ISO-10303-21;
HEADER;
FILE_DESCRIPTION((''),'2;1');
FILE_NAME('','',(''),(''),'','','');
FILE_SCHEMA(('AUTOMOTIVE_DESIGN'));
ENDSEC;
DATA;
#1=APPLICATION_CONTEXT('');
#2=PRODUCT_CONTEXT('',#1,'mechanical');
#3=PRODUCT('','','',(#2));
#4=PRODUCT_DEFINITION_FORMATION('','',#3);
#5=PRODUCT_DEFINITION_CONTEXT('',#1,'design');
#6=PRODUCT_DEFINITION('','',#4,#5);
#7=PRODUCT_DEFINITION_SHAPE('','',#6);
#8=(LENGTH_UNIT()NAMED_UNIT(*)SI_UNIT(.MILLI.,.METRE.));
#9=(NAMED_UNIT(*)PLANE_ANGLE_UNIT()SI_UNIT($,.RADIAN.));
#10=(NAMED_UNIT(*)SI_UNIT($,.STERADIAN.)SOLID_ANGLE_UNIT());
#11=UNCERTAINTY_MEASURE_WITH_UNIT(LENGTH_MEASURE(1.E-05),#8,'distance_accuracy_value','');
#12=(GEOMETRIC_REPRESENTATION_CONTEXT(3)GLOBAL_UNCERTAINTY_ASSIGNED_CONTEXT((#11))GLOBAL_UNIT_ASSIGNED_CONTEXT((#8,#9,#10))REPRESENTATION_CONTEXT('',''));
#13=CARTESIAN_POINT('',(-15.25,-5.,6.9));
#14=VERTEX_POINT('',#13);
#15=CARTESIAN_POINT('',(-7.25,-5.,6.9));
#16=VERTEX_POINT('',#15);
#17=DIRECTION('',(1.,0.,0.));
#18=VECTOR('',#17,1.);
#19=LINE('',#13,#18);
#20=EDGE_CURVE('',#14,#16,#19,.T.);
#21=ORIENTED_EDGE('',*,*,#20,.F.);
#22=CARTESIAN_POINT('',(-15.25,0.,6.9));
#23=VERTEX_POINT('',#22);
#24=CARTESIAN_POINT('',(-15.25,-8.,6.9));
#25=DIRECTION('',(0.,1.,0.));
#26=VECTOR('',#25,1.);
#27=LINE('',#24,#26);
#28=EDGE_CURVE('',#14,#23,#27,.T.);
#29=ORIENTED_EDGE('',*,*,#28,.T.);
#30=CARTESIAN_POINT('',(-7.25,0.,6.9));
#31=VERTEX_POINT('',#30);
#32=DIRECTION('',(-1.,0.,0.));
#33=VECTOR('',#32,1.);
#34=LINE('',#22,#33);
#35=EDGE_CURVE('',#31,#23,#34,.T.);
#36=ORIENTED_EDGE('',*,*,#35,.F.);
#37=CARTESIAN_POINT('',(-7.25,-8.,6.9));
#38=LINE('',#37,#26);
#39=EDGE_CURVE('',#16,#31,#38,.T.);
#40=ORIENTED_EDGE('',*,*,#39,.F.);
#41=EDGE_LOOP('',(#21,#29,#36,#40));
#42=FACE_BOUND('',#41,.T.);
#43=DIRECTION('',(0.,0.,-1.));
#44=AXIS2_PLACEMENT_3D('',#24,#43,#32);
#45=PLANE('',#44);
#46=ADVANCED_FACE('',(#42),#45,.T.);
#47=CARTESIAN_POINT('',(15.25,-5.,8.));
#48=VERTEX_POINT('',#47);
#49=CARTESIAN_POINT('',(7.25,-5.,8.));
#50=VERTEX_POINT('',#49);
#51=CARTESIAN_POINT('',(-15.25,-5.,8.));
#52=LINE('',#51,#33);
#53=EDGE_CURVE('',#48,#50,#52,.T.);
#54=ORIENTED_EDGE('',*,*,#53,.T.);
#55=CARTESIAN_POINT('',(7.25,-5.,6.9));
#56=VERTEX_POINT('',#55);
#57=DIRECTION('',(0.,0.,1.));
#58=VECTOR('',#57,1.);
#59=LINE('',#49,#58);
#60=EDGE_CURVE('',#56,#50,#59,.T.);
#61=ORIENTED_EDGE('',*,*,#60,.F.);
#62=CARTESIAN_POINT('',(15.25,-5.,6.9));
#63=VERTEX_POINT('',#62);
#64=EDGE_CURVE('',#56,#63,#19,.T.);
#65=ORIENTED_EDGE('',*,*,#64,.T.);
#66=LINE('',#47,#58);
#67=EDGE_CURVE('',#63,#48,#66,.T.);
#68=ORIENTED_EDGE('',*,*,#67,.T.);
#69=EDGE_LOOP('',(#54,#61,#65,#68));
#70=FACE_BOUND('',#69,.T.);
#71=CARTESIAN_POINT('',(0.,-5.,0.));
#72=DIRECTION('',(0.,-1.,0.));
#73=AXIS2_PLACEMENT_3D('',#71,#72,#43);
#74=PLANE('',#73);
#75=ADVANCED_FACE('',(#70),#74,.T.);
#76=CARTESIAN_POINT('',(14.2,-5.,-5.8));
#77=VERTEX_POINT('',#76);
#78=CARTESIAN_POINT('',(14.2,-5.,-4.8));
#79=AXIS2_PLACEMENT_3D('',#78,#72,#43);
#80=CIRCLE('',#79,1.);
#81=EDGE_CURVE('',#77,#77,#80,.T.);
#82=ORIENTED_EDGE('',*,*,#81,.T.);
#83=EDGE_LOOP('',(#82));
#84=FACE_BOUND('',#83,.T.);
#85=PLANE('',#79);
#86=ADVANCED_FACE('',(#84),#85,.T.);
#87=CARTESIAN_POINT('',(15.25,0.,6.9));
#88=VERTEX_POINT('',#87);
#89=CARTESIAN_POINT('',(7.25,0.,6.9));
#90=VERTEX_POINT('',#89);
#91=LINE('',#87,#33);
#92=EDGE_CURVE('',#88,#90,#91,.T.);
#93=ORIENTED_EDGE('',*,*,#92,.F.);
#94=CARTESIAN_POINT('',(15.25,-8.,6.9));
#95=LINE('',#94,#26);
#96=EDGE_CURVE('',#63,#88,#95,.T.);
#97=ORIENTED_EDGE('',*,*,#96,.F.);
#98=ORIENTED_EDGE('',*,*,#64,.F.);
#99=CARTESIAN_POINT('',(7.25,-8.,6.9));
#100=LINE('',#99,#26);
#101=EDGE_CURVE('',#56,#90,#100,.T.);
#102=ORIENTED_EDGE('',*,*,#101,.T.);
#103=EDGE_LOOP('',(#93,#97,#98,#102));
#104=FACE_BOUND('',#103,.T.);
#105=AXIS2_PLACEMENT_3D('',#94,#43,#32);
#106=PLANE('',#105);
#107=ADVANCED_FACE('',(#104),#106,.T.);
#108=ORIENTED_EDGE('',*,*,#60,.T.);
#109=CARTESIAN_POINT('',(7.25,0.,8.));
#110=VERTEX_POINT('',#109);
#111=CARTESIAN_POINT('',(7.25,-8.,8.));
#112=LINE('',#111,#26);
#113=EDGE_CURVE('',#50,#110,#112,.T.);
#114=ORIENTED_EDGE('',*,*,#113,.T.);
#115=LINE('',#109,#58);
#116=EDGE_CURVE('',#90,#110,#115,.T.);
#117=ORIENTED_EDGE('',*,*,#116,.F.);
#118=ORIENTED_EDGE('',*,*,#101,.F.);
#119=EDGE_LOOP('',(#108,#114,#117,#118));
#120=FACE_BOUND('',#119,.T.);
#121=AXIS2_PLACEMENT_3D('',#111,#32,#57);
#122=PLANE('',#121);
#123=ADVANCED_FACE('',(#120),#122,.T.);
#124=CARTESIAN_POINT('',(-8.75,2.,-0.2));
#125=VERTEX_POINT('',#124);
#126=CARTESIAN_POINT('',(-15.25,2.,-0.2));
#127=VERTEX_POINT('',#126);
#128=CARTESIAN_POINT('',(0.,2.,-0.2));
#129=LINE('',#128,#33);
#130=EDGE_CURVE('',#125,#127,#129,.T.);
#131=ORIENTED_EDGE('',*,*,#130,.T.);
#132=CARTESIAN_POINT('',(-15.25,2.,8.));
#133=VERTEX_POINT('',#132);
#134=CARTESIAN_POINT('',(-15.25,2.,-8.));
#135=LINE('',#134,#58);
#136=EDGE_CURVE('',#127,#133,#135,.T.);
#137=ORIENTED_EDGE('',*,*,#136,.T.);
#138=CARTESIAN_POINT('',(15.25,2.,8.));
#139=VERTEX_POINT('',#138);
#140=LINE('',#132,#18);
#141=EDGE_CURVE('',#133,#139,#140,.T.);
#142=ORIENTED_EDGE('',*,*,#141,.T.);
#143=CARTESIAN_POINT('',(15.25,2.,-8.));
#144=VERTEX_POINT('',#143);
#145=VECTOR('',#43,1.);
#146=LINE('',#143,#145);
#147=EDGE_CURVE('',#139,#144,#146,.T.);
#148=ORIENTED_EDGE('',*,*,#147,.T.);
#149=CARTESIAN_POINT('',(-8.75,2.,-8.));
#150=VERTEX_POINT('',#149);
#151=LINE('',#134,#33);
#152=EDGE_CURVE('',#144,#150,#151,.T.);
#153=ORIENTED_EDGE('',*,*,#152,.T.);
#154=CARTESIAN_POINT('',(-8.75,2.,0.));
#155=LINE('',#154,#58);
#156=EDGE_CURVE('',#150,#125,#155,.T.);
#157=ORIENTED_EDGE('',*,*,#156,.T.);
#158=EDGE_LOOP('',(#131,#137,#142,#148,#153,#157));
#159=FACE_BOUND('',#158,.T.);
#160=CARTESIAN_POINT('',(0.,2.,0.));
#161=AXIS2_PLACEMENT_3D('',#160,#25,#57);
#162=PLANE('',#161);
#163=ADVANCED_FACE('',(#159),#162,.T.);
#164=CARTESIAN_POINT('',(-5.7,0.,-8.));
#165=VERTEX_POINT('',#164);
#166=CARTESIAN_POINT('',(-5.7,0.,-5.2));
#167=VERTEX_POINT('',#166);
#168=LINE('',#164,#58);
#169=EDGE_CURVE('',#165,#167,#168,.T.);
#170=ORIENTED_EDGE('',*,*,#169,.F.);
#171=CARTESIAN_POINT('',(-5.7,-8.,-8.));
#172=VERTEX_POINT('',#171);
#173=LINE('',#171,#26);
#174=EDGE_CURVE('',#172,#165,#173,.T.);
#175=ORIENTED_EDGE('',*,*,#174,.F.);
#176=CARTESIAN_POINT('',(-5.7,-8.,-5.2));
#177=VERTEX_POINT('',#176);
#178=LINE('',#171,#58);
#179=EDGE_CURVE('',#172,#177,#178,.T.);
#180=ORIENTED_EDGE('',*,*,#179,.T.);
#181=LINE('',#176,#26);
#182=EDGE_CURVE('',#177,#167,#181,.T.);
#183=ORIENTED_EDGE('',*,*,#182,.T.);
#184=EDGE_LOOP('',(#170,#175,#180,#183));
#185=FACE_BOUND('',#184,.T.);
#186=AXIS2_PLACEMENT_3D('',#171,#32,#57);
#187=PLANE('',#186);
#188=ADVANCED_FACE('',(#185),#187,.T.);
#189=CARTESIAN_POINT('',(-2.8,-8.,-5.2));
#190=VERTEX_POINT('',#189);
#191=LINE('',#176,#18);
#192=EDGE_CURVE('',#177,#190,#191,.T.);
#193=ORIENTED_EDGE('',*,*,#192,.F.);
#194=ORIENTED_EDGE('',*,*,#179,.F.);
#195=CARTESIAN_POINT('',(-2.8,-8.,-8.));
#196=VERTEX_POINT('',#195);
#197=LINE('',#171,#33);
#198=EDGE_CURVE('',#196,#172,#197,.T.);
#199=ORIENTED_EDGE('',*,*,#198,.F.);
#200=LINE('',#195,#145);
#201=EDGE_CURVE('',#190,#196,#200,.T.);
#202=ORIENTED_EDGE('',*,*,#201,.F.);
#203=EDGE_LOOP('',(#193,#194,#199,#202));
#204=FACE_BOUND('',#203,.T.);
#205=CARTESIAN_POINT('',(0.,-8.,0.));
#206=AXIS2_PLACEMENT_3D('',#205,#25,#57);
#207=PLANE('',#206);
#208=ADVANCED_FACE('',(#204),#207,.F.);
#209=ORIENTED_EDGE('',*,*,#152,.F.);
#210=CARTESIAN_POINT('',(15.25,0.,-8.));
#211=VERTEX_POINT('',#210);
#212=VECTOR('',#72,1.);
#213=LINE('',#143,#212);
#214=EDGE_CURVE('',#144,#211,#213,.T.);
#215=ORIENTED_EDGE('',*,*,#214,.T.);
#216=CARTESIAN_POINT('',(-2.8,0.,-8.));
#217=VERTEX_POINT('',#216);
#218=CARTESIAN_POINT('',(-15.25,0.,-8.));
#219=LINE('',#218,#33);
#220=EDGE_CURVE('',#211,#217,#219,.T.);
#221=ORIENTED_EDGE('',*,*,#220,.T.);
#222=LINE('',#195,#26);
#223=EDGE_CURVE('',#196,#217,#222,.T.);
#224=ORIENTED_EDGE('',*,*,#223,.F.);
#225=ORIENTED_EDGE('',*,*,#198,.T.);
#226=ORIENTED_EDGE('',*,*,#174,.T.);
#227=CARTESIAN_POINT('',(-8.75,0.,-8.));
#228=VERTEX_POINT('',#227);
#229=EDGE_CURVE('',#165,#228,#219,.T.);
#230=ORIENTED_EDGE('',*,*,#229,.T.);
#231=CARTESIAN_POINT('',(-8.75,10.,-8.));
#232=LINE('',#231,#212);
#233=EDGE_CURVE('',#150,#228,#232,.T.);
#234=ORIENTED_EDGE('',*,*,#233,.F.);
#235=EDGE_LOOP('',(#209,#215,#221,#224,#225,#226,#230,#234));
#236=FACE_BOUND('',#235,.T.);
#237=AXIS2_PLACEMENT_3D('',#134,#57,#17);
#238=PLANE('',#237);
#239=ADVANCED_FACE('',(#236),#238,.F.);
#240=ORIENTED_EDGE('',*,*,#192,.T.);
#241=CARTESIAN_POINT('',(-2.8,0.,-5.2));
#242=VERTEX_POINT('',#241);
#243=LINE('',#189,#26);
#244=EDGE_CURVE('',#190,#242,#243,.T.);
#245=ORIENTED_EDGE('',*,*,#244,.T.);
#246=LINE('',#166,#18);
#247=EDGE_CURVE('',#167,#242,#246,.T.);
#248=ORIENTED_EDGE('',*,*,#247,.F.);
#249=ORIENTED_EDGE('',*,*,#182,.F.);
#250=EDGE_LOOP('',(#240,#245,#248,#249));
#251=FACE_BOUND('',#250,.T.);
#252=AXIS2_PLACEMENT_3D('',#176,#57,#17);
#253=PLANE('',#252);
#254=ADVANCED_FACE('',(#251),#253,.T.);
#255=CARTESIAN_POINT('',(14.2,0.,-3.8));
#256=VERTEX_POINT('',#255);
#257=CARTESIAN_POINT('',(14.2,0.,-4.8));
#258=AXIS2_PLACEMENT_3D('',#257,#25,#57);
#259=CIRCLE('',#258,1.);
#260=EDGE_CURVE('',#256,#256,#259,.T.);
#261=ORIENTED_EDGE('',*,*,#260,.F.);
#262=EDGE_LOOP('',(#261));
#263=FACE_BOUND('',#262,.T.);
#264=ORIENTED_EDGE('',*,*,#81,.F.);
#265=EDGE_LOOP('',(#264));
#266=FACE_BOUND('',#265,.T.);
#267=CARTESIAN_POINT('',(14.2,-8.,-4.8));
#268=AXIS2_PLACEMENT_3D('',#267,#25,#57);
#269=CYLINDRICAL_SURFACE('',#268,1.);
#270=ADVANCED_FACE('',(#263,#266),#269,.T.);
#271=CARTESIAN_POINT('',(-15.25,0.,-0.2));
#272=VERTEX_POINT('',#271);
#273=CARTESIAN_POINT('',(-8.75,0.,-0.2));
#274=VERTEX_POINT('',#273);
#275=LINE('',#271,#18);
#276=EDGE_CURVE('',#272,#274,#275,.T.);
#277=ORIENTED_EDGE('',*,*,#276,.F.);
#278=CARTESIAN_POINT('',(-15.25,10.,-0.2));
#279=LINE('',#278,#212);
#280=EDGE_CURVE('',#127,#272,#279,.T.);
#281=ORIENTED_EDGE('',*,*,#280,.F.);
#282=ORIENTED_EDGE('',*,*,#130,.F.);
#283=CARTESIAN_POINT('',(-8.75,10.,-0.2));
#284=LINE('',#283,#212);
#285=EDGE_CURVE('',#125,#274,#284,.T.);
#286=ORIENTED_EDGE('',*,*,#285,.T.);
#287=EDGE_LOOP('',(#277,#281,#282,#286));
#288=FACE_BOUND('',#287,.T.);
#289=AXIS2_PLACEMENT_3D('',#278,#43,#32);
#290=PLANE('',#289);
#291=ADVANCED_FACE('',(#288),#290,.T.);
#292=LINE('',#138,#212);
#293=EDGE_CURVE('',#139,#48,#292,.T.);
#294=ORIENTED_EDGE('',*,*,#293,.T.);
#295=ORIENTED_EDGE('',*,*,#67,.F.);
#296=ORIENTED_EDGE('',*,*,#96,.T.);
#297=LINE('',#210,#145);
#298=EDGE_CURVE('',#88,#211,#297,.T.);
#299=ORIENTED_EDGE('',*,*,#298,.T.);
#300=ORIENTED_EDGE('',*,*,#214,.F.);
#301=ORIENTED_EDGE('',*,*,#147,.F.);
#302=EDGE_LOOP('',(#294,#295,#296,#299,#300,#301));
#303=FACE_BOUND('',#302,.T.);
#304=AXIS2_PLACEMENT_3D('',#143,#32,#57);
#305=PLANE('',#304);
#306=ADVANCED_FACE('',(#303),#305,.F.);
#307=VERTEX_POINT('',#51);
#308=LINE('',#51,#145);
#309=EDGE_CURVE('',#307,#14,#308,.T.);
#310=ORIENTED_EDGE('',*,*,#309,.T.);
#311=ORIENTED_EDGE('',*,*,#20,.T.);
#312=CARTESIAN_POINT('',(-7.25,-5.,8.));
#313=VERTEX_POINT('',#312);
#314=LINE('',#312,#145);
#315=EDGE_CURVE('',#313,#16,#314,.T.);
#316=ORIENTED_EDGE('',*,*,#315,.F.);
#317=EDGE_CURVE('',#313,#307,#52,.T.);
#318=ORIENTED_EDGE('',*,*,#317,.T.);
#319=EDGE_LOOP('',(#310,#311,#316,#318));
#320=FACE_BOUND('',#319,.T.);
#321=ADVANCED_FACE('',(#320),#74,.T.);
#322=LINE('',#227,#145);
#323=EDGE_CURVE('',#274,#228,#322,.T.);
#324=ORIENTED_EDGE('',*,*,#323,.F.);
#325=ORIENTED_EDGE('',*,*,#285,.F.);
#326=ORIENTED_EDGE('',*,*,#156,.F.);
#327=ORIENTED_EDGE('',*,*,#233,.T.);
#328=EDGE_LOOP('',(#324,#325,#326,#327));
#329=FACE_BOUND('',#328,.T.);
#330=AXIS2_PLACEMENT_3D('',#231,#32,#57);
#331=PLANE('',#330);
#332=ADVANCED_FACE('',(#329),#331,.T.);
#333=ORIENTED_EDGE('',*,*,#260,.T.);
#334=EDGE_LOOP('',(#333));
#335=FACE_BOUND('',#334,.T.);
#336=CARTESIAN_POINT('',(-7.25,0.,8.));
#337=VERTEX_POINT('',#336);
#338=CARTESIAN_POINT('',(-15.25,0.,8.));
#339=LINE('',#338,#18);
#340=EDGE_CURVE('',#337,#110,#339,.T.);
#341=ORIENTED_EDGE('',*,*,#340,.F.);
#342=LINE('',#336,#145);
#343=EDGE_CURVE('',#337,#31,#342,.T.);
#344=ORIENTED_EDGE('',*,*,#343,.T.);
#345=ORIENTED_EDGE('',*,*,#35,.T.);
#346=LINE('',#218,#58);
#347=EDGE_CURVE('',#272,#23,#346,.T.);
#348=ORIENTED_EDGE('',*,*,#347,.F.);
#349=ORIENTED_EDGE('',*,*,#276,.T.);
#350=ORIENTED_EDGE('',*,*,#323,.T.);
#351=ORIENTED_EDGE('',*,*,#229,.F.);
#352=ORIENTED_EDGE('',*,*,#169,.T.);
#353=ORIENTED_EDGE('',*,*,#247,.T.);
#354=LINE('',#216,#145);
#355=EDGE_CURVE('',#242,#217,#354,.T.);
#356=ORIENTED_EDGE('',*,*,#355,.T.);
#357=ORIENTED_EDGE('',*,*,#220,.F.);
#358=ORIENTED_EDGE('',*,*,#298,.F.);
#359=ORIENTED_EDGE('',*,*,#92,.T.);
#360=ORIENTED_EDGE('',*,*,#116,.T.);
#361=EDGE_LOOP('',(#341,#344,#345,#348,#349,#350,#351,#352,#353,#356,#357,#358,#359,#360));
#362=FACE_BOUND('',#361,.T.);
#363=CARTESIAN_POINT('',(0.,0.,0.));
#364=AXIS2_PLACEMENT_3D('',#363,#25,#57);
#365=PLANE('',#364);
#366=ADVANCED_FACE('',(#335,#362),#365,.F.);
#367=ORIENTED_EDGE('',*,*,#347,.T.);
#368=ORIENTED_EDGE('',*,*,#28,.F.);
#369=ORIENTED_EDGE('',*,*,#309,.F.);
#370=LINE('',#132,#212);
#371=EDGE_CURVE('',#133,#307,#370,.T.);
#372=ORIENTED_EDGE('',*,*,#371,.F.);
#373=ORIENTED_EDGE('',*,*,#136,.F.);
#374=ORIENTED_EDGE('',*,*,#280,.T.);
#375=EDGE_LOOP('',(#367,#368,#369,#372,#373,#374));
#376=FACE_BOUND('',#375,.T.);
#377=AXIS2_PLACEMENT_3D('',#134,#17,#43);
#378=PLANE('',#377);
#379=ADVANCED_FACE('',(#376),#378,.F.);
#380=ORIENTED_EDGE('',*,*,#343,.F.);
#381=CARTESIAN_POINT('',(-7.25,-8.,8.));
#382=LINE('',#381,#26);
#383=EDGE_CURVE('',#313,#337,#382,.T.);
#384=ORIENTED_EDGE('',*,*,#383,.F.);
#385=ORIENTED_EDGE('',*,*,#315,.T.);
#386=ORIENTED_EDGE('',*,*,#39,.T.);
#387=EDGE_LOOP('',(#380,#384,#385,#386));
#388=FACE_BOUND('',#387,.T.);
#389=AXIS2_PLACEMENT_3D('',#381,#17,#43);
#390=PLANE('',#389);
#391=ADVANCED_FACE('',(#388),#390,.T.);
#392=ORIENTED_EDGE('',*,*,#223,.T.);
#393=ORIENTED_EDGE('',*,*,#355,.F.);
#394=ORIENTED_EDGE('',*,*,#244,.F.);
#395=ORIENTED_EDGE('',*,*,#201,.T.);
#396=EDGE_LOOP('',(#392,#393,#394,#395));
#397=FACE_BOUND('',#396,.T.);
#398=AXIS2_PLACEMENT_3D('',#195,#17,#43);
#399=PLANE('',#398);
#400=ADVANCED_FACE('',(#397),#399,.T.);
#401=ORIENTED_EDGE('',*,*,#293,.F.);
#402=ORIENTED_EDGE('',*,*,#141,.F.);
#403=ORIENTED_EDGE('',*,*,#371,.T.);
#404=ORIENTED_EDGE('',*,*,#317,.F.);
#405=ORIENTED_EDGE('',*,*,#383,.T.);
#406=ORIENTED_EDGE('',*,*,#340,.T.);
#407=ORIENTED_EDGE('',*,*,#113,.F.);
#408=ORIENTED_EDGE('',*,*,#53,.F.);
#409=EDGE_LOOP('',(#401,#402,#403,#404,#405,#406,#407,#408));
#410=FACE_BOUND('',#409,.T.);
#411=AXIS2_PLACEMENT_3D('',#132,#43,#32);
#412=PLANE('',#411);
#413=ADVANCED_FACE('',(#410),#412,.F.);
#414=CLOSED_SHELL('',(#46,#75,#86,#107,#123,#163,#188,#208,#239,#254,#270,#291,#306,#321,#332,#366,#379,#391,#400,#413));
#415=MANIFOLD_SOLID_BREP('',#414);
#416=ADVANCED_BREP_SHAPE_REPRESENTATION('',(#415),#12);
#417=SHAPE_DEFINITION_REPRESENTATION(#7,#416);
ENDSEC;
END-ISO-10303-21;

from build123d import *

# Parameters (mm, degrees)
SKETCH1_W           = 30.5
SKETCH1_H           = 16
BOSS_EXTRUDE1_DEPTH = 2
SKETCH3_R           = 1
SKETCH3_W           = 2.9
SKETCH3_H           = 2.8
SKETCH3_W_2         = 8
SKETCH3_H_2         = 1.1
BOSS_EXTRUDE3_DEPTH = 8
CUT_EXTRUDE2_DEPTH  = 10
CUT_EXTRUDE3_START  = -3
SKETCH5_R           = 1
SKETCH5_W           = 30.5
SKETCH5_H           = 1.1
CUT_EXTRUDE3_DEPTH  = 3


with BuildPart() as part:
    # Sketch1 → Boss-Extrude1 (new body)
    with BuildSketch(Plane(origin=(0, 0, 0), x_dir=(1, 0, 0), z_dir=(0, 1, 0))):
        Rectangle(SKETCH1_W, SKETCH1_H)
    extrude(amount=BOSS_EXTRUDE1_DEPTH)

    # Sketch3 → Boss-Extrude3 (add)
    with BuildSketch(Plane(origin=(0, 0, 0), x_dir=(1, 0, 0), z_dir=(0, 1, 0))):
        with Locations(Location((14.2, 4.8, 0), (0, 0, 270))):
            Circle(SKETCH3_R)
        with Locations((-4.25, 6.6)):
            Rectangle(SKETCH3_W, SKETCH3_H)
        with Locations((-11.25, -7.45)):
            Rectangle(SKETCH3_W_2, SKETCH3_H_2)
        with Locations((11.25, -7.45)):
            Rectangle(SKETCH3_W_2, SKETCH3_H_2)
    extrude(amount=-BOSS_EXTRUDE3_DEPTH)

    # Sketch4 → Cut-Extrude2 (cut)
    with BuildSketch(Plane(origin=(0, 0, 0), x_dir=(1, 0, 0), z_dir=(0, 1, 0))):
        Polygon((-15.25, 2.7), (-15.25, 8), (-8.75, 8), (-8.75, 2.7), (-8.75, 0.2), (-15.25, 0.2), align=None)
    extrude(amount=CUT_EXTRUDE2_DEPTH, mode=Mode.SUBTRACT)

    # Sketch5 → Cut-Extrude3 (cut)
    with BuildSketch(Plane.XZ.offset(8).offset(CUT_EXTRUDE3_START)):
        with Locations(Location((14.2, -4.8, 0), (0, 0, 90))):
            Circle(SKETCH5_R)
        with Locations((0, 7.45)):
            Rectangle(SKETCH5_W, SKETCH5_H)
    extrude(amount=CUT_EXTRUDE3_DEPTH, mode=Mode.SUBTRACT)


solid = part.part
